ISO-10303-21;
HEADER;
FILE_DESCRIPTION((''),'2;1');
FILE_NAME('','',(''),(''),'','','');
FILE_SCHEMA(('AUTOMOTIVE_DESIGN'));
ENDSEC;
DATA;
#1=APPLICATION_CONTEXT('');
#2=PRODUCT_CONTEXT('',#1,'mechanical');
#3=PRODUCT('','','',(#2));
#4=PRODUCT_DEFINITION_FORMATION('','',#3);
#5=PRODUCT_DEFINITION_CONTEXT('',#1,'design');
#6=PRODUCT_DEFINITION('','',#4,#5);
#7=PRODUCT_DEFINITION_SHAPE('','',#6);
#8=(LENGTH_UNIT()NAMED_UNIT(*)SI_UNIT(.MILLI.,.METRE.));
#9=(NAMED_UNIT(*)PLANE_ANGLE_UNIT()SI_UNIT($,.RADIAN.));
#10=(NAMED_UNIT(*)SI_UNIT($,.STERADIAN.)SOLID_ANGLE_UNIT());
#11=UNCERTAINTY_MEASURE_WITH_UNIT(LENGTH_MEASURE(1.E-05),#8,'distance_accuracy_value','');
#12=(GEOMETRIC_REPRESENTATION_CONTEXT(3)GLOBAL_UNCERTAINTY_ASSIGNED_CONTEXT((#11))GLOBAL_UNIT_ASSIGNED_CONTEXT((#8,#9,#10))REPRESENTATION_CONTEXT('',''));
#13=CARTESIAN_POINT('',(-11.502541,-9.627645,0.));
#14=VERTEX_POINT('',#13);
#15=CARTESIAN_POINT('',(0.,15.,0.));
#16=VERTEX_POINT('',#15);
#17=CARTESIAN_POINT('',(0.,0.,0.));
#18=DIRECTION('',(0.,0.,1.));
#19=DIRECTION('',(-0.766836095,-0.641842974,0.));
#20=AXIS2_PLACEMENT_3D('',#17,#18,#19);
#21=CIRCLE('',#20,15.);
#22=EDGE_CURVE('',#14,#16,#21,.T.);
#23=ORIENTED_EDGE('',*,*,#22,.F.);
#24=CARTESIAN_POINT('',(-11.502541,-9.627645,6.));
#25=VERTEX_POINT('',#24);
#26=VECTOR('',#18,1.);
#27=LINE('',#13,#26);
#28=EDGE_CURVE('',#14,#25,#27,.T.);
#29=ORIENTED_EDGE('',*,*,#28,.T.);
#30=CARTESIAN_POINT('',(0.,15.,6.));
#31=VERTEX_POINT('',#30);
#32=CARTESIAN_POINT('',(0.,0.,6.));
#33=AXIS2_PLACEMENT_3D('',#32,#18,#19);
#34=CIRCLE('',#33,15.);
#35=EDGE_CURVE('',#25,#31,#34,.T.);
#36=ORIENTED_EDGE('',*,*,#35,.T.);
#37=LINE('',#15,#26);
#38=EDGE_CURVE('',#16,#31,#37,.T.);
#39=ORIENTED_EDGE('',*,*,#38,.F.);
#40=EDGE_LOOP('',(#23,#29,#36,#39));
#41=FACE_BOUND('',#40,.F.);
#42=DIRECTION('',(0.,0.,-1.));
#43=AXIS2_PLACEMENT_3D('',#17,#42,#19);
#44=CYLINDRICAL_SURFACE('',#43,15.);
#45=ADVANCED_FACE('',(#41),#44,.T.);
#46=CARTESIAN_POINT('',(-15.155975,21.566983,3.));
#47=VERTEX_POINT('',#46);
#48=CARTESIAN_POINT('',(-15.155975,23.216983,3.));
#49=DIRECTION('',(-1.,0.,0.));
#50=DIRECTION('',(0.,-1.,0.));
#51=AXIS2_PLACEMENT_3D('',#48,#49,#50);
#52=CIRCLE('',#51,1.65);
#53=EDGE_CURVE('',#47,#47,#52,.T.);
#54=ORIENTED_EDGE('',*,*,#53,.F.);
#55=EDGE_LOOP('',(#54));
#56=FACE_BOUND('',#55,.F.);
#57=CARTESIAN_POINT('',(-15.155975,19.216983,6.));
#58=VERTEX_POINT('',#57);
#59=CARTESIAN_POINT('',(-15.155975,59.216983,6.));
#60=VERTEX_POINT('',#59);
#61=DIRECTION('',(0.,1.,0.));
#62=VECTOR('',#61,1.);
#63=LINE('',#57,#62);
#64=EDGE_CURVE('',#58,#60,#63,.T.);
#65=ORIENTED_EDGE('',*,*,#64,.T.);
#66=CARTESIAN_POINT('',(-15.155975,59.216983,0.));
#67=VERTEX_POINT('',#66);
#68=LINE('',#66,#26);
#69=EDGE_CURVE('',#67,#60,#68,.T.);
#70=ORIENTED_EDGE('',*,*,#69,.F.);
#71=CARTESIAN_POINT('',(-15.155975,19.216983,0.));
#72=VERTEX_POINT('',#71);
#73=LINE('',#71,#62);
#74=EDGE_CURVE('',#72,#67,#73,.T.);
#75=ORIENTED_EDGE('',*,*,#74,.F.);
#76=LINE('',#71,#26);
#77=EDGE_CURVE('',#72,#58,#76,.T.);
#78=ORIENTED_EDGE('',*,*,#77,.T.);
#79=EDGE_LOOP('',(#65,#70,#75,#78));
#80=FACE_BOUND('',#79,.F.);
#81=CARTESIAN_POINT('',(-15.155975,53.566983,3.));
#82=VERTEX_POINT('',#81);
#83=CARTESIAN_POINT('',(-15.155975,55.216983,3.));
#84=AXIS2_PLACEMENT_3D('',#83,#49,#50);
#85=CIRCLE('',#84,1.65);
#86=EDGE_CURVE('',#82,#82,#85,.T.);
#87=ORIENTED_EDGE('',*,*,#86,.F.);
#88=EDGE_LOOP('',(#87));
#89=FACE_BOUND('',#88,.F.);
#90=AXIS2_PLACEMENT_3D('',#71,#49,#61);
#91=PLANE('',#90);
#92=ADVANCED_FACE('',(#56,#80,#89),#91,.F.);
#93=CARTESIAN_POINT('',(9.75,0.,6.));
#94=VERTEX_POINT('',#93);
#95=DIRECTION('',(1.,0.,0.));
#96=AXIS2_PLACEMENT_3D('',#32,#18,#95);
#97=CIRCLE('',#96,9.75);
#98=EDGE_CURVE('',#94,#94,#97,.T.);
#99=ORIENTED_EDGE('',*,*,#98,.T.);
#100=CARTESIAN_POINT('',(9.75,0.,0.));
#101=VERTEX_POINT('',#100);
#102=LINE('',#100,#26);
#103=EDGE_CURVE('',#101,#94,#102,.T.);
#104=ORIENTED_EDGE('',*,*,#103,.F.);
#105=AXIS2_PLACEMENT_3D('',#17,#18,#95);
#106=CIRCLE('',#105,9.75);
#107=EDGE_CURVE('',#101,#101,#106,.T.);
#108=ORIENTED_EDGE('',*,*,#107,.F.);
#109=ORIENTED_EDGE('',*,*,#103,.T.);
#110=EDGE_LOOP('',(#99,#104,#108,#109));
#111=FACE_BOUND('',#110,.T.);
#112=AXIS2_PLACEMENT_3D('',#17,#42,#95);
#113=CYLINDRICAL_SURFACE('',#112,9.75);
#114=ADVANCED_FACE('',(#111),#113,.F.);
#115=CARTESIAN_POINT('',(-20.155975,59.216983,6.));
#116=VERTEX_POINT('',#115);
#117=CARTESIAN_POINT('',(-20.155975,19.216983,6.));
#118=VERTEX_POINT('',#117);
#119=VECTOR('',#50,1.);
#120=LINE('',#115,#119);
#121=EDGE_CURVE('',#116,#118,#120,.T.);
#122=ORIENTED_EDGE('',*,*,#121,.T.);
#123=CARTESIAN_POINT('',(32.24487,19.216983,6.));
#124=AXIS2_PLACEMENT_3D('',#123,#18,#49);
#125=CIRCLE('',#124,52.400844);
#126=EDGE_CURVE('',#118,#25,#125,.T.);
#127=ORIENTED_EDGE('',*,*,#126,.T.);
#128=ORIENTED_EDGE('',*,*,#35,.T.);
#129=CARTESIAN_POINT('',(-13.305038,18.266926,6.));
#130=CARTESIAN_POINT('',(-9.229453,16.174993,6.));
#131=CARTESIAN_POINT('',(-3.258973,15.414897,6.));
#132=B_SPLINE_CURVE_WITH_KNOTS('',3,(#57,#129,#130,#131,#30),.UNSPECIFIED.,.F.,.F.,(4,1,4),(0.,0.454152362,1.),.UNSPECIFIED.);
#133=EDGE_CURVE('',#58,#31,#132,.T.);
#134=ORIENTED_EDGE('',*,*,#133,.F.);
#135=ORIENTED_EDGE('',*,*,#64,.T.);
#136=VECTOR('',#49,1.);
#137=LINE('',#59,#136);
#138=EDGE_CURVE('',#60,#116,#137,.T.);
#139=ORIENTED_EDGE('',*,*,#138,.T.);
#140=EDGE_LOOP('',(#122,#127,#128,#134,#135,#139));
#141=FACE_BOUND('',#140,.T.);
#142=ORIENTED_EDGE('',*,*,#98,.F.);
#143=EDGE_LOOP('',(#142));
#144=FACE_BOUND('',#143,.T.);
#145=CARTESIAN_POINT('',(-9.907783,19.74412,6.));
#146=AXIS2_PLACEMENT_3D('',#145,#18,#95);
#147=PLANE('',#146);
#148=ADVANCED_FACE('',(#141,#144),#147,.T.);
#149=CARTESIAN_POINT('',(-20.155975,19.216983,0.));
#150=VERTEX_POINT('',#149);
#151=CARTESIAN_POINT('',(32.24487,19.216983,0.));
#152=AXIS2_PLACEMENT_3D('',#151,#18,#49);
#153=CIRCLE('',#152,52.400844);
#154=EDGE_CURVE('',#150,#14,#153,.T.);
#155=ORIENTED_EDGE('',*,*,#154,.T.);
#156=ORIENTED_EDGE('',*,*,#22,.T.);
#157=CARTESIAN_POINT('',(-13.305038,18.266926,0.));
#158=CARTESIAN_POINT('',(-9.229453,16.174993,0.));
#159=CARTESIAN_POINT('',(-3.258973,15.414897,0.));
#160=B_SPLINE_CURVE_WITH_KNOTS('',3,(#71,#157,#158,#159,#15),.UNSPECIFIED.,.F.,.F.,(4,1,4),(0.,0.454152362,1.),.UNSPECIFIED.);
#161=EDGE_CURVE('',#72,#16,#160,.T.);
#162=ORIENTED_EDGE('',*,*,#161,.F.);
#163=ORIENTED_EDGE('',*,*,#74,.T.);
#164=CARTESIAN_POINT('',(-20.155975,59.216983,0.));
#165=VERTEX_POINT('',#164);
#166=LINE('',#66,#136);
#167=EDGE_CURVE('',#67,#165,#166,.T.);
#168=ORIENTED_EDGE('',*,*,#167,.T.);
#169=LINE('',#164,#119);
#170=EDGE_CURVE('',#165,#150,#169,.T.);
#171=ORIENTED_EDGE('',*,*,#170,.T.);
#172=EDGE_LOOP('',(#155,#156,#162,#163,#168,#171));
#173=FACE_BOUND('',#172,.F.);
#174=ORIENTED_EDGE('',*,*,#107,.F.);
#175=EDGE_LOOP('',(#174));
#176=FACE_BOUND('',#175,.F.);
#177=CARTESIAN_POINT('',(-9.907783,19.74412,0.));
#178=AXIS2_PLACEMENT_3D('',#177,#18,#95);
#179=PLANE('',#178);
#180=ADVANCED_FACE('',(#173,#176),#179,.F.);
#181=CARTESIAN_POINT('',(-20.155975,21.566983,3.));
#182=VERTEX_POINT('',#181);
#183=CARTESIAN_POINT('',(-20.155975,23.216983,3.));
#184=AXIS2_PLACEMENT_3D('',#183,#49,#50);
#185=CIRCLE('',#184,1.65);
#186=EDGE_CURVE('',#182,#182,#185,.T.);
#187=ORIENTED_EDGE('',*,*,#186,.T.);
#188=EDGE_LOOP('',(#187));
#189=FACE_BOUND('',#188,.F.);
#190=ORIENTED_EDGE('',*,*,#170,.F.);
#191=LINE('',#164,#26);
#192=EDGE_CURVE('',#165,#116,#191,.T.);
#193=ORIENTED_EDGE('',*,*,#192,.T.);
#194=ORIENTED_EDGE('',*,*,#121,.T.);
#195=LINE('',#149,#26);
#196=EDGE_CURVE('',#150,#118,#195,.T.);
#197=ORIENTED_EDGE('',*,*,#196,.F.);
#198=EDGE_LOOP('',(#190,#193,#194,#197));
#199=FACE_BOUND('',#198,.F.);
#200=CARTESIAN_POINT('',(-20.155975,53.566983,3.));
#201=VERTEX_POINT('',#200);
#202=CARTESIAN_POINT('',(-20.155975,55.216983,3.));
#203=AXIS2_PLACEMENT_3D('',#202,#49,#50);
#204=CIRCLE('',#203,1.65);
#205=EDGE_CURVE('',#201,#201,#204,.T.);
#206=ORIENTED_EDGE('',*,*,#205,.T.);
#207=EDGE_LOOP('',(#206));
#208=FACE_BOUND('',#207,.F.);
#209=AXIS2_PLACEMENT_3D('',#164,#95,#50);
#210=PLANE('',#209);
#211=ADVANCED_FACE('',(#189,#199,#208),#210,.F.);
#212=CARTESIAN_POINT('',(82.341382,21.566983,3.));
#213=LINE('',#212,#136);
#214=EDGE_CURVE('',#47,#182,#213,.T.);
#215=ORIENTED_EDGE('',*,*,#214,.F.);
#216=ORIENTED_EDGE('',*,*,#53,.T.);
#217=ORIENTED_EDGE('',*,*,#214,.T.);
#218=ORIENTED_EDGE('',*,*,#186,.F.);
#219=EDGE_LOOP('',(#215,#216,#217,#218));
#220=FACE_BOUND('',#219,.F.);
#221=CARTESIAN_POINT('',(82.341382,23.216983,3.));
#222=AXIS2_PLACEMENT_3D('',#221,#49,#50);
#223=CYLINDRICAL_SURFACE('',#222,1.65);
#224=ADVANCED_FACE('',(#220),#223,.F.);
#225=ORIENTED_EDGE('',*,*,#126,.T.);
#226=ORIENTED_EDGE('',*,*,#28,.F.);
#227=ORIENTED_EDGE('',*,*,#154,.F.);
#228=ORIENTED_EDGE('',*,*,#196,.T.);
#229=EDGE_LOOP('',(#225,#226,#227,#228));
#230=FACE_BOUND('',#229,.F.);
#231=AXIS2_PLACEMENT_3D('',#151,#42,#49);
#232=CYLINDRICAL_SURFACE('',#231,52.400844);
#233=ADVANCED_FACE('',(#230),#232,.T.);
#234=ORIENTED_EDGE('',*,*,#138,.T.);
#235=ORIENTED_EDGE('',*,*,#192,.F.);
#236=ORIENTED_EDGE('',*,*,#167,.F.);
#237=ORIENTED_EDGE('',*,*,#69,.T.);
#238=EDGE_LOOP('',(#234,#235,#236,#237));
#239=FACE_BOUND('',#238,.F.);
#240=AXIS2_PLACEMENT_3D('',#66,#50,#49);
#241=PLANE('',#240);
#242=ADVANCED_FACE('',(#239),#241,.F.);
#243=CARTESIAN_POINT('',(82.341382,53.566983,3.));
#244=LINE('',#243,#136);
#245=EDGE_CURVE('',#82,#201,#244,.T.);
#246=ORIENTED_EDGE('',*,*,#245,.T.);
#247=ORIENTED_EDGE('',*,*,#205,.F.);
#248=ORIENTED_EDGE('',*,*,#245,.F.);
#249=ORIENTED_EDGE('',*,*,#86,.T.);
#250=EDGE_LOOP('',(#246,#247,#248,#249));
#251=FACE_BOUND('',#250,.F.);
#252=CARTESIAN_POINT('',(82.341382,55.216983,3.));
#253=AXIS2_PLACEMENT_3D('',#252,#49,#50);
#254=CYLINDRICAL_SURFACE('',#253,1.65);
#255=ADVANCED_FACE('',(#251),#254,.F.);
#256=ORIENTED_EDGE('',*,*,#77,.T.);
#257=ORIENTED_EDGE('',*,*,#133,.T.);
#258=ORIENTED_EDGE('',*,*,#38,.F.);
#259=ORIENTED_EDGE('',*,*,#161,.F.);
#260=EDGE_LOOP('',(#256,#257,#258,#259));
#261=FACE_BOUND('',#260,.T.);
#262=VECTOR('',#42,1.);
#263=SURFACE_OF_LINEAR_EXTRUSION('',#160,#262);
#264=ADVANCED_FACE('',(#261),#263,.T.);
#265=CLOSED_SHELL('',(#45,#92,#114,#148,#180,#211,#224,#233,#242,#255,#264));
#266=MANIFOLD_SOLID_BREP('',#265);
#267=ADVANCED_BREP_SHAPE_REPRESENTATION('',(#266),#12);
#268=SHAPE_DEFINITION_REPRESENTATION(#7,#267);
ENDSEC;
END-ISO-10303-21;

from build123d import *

# Parameters (mm, degrees)
F0_R     = 9.75
F1_DEPTH = 6
F3_D     = 3.3


with BuildPart() as f1:
    # F0 (on Top) → F1 (new body)
    with BuildSketch(Plane.XY):
        with BuildLine():
            Line((-15.1559747756, 19.2169826478), (-15.1559747756, 59.2169826478))
            Line((-15.1559747756, 59.2169826478), (-20.1559747756, 59.2169826478))
            Line((-20.1559747756, 59.2169826478), (-20.1559747756, 19.2169826478))
            ThreePointArc((-20.1559747756, 19.2169826478), (-17.9460148735, 4.1596386744), (-11.502541429, -9.6276446067))
            ThreePointArc((-11.502541429, -9.6276446067), (13.5907076545, -6.3476503881), (0, 15))
            add(Edge.make_bspline(
                [(-15.1559747756, 19.2169826478), (-13.3050382256, 18.2669262595), (-9.2294532385, 16.1749930959), (-3.2589726983, 15.4148967789), (0, 15)],
                knots=[0, 0, 0, 0, 0.4541523624, 1, 1, 1, 1], degree=3))
        make_face()
        Circle(F0_R, mode=Mode.SUBTRACT)
    extrude(amount=F1_DEPTH)

    # F3 (through all)
    with Locations(Plane.YZ):
        with Locations((23.2169826478, 3), (55.2169826478, 3)):
            Hole(F3_D / 2)


solid = f1.part
